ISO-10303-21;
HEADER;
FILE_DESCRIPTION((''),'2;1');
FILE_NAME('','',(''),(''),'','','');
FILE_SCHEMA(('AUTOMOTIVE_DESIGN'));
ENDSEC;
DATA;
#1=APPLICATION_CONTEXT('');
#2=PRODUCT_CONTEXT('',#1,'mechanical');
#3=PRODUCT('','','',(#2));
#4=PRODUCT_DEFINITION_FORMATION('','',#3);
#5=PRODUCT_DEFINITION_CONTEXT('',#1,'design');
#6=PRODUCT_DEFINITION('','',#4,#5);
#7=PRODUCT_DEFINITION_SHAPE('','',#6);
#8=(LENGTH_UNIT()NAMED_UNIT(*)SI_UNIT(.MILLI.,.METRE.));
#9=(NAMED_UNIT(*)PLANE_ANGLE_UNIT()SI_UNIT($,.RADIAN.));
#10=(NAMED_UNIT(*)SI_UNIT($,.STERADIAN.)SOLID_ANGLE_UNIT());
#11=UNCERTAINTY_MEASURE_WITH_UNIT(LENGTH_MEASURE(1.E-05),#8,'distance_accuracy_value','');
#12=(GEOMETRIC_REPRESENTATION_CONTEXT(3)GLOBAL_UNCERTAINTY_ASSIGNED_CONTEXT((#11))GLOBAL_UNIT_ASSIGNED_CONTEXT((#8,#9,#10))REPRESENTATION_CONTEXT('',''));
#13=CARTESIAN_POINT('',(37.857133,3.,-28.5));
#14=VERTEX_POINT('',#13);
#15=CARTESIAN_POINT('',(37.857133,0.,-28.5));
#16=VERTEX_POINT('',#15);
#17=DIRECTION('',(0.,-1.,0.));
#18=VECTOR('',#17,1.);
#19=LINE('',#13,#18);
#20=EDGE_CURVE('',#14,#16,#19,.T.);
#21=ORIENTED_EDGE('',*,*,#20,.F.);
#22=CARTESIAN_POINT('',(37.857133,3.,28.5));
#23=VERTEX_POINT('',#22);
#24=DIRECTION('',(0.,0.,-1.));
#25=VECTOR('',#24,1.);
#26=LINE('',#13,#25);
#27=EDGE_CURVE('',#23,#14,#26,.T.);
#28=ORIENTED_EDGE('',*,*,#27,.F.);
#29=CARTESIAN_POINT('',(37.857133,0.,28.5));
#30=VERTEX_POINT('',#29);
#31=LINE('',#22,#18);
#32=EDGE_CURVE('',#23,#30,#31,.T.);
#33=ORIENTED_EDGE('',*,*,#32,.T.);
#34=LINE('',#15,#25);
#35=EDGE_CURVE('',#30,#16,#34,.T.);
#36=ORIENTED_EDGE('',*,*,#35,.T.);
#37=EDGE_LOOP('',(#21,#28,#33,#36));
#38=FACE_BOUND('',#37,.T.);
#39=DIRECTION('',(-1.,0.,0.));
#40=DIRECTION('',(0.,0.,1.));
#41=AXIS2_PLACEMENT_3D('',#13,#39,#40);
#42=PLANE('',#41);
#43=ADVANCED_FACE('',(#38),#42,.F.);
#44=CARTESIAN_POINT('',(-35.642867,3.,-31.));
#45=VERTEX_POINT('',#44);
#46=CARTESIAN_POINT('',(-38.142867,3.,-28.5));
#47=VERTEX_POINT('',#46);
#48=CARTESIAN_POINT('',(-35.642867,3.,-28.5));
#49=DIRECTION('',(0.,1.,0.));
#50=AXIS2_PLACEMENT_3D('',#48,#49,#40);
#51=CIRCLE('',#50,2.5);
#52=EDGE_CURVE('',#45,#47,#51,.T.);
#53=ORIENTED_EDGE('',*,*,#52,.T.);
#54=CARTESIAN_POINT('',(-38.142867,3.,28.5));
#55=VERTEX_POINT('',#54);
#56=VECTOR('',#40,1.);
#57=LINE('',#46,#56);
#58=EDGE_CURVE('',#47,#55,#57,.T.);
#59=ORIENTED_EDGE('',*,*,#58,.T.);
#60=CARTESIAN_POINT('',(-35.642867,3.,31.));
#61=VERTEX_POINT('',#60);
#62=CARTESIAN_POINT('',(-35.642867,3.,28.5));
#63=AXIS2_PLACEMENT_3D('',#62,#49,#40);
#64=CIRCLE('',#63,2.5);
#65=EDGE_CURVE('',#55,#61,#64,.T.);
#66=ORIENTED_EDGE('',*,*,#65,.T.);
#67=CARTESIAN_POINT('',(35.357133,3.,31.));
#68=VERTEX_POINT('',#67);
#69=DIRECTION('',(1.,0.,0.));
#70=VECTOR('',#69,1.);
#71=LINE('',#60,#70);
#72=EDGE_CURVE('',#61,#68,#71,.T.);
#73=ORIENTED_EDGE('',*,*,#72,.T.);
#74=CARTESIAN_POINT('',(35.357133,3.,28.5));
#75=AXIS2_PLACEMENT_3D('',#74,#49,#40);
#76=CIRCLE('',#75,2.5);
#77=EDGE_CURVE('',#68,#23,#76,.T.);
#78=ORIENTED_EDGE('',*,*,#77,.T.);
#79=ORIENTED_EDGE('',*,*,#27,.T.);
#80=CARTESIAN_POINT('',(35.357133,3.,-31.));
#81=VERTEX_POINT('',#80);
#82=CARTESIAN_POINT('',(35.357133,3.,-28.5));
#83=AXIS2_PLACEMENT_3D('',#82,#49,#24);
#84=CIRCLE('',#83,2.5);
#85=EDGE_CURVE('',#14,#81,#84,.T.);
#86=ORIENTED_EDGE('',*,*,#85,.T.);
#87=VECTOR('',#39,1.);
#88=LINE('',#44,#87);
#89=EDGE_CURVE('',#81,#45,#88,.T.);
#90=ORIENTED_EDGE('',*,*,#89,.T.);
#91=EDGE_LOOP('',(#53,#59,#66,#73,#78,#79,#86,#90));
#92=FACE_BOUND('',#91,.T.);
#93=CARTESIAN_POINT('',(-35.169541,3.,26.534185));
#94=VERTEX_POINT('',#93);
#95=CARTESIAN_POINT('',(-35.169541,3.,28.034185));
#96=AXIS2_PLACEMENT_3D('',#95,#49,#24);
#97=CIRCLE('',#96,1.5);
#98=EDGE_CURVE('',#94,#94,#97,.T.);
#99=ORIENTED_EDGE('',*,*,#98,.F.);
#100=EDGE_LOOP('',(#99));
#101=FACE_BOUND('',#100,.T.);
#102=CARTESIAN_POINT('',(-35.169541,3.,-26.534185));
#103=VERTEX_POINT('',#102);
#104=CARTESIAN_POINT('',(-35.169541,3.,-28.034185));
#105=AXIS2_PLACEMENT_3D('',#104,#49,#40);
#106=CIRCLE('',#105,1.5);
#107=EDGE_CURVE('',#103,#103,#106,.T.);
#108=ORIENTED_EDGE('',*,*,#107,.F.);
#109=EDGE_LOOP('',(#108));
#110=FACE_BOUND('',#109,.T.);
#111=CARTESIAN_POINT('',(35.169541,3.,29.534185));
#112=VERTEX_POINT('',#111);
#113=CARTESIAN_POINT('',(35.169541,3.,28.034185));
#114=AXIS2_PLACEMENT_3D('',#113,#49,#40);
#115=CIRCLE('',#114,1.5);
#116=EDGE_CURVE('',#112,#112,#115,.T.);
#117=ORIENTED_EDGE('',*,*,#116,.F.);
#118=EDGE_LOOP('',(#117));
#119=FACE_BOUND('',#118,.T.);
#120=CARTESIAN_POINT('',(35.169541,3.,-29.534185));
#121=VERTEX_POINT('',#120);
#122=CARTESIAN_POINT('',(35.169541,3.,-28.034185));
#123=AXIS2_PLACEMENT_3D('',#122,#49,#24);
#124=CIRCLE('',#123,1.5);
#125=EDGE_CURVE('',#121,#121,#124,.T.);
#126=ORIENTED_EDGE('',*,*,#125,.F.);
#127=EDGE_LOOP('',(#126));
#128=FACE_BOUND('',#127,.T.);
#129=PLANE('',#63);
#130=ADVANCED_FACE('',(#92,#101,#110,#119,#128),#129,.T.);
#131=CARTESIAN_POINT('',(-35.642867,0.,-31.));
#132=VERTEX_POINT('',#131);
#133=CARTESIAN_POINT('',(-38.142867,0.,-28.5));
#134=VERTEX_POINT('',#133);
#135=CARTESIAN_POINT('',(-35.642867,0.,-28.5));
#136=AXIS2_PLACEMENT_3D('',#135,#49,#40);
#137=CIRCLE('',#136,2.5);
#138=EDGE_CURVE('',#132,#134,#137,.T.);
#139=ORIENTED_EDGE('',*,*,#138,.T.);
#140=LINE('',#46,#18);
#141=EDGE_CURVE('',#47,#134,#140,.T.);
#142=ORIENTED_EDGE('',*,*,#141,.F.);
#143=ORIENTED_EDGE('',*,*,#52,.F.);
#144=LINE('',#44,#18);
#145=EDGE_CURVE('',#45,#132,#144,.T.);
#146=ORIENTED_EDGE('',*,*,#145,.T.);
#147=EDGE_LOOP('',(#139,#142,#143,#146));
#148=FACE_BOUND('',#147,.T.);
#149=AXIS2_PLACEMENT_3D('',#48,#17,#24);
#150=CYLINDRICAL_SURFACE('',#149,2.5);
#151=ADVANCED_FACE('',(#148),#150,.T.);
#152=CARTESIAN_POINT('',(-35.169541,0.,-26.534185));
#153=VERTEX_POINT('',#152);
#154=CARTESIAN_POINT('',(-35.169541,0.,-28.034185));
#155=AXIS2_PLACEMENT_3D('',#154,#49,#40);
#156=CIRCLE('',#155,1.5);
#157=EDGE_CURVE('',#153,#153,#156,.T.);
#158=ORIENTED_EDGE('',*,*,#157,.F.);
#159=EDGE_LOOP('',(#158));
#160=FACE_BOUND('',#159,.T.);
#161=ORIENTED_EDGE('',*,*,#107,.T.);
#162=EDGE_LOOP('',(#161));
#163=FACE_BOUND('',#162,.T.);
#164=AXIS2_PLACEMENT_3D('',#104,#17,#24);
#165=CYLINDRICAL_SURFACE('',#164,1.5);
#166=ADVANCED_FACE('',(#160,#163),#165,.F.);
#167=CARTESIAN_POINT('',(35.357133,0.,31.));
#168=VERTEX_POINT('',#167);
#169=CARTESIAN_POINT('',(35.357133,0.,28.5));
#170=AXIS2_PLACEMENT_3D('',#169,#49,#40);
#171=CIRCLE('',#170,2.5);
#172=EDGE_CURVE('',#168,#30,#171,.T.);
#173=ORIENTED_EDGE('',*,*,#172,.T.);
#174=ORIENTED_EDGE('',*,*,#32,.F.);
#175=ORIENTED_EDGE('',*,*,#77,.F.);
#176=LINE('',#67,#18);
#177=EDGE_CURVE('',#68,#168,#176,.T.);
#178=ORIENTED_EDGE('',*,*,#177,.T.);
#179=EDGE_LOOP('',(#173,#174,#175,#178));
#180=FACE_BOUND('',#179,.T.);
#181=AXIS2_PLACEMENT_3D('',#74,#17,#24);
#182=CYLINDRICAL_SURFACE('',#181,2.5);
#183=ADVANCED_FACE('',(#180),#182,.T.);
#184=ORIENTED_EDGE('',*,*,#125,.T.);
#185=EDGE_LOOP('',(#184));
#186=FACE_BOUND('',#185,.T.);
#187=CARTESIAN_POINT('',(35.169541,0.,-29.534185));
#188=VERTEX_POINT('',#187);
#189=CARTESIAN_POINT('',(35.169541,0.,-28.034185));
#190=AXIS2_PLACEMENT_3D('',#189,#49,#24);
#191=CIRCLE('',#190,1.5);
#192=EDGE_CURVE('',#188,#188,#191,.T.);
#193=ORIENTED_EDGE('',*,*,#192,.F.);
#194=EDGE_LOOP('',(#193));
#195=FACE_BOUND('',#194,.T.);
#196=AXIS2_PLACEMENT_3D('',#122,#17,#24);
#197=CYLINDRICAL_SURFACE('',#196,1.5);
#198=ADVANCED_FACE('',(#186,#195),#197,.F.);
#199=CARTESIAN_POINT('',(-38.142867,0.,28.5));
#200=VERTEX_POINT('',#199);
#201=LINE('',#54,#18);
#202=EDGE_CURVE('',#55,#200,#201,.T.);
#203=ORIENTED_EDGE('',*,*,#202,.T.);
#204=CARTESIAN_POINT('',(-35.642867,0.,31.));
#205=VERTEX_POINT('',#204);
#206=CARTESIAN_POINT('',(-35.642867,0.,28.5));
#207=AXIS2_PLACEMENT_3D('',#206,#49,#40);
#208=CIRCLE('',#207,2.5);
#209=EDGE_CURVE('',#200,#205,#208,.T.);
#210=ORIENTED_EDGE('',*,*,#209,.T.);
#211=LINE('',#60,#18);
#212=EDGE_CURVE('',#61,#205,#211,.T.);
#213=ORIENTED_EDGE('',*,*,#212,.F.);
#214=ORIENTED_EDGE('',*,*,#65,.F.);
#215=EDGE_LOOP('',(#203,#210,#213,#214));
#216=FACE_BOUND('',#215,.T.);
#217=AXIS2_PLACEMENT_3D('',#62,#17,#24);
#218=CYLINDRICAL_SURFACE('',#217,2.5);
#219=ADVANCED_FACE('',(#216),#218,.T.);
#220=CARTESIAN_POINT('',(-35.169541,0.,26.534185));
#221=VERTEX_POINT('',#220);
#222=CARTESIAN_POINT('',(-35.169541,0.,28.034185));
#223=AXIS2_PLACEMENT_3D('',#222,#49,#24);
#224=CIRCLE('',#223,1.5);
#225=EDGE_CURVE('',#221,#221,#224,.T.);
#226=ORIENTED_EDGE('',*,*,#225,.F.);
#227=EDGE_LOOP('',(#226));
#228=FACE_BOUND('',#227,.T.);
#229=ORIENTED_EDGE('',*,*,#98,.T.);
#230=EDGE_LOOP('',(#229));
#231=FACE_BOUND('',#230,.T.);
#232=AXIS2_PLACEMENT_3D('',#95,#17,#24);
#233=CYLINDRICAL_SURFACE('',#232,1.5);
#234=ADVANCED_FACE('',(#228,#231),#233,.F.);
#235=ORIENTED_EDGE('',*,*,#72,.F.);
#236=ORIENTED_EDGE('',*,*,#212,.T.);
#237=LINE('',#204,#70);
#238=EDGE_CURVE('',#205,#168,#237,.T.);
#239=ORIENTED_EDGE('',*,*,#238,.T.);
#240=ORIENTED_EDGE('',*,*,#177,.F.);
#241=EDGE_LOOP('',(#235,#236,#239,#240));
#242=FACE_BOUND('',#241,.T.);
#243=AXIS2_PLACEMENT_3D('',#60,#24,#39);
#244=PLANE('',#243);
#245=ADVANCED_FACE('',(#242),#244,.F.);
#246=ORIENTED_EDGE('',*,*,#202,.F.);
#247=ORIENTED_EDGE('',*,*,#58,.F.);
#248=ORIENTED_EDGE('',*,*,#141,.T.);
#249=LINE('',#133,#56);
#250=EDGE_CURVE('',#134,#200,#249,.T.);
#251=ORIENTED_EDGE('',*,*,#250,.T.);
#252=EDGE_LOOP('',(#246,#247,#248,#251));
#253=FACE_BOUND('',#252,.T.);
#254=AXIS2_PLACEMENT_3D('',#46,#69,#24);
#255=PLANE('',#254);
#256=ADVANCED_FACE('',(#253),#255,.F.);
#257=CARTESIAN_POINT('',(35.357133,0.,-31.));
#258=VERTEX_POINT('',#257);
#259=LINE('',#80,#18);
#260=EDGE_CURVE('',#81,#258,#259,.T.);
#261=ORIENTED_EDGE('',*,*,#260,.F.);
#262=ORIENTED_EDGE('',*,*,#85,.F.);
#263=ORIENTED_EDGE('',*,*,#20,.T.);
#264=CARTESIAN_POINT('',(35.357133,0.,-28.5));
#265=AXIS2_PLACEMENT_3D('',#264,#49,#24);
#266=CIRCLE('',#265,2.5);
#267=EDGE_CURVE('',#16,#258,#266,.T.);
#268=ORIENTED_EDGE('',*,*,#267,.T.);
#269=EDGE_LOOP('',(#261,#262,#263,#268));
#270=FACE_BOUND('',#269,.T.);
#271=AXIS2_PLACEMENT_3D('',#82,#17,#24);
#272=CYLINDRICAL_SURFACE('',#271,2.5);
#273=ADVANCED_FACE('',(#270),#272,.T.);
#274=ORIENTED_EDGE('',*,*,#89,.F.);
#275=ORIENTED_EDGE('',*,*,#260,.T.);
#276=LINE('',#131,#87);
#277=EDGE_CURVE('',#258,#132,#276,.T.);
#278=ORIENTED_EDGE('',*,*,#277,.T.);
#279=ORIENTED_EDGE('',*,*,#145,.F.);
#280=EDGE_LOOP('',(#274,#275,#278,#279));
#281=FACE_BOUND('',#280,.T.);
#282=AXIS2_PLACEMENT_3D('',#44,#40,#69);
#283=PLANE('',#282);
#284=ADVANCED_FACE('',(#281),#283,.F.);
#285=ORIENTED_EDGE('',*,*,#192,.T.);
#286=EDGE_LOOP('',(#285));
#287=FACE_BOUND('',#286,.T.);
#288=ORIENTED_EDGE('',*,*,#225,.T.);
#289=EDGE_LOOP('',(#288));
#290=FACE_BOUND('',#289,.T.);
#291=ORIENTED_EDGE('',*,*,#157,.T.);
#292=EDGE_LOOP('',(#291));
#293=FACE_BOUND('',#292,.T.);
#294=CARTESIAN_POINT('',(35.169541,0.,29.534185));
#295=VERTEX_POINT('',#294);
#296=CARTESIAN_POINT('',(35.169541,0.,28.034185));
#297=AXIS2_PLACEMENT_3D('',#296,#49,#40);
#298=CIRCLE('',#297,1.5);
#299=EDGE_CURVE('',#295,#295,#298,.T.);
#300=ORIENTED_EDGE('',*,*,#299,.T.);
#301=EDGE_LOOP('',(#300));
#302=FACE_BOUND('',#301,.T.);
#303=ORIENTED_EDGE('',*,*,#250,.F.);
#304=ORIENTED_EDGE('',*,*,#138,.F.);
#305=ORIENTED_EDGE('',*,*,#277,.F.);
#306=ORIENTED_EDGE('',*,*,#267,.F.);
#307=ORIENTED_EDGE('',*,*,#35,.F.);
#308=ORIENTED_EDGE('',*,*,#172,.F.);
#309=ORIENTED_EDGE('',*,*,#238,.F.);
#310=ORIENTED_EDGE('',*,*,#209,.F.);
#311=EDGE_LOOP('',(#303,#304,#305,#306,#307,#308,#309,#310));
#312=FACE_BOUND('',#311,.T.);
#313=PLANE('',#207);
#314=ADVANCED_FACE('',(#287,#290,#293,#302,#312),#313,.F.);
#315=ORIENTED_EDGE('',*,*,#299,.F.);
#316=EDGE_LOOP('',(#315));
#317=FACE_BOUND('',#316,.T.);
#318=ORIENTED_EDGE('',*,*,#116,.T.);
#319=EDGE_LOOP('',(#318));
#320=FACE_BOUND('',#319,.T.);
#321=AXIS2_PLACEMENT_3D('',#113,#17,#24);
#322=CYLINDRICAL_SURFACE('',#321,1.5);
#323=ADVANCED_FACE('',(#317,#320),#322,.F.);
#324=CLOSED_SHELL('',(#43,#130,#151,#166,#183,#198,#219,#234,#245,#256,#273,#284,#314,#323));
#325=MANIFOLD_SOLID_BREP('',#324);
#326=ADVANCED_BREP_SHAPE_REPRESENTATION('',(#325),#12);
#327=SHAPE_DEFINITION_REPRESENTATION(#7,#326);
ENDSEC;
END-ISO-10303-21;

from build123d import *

# Parameters (mm, degrees)
CROQUIS1_R              = 1.5
SALIENTE_EXTRUIR1_DEPTH = 3


with BuildPart() as part:
    # Croquis1 → Saliente-Extruir1 (new body)
    with BuildSketch(Plane(origin=(0, 0, 0), x_dir=(1, 0, 0), z_dir=(0, 1, 0))):
        with BuildLine():
            Line((-35.642867408, 31), (35.357132592, 31))
            ThreePointArc((35.357132592, 31), (37.124899545, 30.267766953), (37.857132592, 28.5))
            Line((37.857132592, 28.5), (37.857132592, -28.5))
            ThreePointArc((37.857132592, -28.5), (37.124899545, -30.267766953), (35.357132592, -31))
            Line((35.357132592, -31), (-35.642867408, -31))
            ThreePointArc((-35.642867408, -31), (-37.410634361, -30.267766953), (-38.142867408, -28.5))
            Line((-38.142867408, -28.5), (-38.142867408, 28.5))
            ThreePointArc((-38.142867408, 28.5), (-37.410634361, 30.267766953), (-35.642867408, 31))
        make_face()
        with Locations(Location((-35.169540859, 28.034184865, 0), (0, 0, 270))):
            Circle(CROQUIS1_R, mode=Mode.SUBTRACT)
        with Locations(Location((35.169540859, 28.034184865, 0), (0, 0, 90))):
            Circle(CROQUIS1_R, mode=Mode.SUBTRACT)
        with Locations(Location((35.169540859, -28.034184865, 0), (0, 0, 270))):
            Circle(CROQUIS1_R, mode=Mode.SUBTRACT)
        with Locations(Location((-35.169540859, -28.034184865, 0), (0, 0, 90))):
            Circle(CROQUIS1_R, mode=Mode.SUBTRACT)
    extrude(amount=SALIENTE_EXTRUIR1_DEPTH)


solid = part.part
